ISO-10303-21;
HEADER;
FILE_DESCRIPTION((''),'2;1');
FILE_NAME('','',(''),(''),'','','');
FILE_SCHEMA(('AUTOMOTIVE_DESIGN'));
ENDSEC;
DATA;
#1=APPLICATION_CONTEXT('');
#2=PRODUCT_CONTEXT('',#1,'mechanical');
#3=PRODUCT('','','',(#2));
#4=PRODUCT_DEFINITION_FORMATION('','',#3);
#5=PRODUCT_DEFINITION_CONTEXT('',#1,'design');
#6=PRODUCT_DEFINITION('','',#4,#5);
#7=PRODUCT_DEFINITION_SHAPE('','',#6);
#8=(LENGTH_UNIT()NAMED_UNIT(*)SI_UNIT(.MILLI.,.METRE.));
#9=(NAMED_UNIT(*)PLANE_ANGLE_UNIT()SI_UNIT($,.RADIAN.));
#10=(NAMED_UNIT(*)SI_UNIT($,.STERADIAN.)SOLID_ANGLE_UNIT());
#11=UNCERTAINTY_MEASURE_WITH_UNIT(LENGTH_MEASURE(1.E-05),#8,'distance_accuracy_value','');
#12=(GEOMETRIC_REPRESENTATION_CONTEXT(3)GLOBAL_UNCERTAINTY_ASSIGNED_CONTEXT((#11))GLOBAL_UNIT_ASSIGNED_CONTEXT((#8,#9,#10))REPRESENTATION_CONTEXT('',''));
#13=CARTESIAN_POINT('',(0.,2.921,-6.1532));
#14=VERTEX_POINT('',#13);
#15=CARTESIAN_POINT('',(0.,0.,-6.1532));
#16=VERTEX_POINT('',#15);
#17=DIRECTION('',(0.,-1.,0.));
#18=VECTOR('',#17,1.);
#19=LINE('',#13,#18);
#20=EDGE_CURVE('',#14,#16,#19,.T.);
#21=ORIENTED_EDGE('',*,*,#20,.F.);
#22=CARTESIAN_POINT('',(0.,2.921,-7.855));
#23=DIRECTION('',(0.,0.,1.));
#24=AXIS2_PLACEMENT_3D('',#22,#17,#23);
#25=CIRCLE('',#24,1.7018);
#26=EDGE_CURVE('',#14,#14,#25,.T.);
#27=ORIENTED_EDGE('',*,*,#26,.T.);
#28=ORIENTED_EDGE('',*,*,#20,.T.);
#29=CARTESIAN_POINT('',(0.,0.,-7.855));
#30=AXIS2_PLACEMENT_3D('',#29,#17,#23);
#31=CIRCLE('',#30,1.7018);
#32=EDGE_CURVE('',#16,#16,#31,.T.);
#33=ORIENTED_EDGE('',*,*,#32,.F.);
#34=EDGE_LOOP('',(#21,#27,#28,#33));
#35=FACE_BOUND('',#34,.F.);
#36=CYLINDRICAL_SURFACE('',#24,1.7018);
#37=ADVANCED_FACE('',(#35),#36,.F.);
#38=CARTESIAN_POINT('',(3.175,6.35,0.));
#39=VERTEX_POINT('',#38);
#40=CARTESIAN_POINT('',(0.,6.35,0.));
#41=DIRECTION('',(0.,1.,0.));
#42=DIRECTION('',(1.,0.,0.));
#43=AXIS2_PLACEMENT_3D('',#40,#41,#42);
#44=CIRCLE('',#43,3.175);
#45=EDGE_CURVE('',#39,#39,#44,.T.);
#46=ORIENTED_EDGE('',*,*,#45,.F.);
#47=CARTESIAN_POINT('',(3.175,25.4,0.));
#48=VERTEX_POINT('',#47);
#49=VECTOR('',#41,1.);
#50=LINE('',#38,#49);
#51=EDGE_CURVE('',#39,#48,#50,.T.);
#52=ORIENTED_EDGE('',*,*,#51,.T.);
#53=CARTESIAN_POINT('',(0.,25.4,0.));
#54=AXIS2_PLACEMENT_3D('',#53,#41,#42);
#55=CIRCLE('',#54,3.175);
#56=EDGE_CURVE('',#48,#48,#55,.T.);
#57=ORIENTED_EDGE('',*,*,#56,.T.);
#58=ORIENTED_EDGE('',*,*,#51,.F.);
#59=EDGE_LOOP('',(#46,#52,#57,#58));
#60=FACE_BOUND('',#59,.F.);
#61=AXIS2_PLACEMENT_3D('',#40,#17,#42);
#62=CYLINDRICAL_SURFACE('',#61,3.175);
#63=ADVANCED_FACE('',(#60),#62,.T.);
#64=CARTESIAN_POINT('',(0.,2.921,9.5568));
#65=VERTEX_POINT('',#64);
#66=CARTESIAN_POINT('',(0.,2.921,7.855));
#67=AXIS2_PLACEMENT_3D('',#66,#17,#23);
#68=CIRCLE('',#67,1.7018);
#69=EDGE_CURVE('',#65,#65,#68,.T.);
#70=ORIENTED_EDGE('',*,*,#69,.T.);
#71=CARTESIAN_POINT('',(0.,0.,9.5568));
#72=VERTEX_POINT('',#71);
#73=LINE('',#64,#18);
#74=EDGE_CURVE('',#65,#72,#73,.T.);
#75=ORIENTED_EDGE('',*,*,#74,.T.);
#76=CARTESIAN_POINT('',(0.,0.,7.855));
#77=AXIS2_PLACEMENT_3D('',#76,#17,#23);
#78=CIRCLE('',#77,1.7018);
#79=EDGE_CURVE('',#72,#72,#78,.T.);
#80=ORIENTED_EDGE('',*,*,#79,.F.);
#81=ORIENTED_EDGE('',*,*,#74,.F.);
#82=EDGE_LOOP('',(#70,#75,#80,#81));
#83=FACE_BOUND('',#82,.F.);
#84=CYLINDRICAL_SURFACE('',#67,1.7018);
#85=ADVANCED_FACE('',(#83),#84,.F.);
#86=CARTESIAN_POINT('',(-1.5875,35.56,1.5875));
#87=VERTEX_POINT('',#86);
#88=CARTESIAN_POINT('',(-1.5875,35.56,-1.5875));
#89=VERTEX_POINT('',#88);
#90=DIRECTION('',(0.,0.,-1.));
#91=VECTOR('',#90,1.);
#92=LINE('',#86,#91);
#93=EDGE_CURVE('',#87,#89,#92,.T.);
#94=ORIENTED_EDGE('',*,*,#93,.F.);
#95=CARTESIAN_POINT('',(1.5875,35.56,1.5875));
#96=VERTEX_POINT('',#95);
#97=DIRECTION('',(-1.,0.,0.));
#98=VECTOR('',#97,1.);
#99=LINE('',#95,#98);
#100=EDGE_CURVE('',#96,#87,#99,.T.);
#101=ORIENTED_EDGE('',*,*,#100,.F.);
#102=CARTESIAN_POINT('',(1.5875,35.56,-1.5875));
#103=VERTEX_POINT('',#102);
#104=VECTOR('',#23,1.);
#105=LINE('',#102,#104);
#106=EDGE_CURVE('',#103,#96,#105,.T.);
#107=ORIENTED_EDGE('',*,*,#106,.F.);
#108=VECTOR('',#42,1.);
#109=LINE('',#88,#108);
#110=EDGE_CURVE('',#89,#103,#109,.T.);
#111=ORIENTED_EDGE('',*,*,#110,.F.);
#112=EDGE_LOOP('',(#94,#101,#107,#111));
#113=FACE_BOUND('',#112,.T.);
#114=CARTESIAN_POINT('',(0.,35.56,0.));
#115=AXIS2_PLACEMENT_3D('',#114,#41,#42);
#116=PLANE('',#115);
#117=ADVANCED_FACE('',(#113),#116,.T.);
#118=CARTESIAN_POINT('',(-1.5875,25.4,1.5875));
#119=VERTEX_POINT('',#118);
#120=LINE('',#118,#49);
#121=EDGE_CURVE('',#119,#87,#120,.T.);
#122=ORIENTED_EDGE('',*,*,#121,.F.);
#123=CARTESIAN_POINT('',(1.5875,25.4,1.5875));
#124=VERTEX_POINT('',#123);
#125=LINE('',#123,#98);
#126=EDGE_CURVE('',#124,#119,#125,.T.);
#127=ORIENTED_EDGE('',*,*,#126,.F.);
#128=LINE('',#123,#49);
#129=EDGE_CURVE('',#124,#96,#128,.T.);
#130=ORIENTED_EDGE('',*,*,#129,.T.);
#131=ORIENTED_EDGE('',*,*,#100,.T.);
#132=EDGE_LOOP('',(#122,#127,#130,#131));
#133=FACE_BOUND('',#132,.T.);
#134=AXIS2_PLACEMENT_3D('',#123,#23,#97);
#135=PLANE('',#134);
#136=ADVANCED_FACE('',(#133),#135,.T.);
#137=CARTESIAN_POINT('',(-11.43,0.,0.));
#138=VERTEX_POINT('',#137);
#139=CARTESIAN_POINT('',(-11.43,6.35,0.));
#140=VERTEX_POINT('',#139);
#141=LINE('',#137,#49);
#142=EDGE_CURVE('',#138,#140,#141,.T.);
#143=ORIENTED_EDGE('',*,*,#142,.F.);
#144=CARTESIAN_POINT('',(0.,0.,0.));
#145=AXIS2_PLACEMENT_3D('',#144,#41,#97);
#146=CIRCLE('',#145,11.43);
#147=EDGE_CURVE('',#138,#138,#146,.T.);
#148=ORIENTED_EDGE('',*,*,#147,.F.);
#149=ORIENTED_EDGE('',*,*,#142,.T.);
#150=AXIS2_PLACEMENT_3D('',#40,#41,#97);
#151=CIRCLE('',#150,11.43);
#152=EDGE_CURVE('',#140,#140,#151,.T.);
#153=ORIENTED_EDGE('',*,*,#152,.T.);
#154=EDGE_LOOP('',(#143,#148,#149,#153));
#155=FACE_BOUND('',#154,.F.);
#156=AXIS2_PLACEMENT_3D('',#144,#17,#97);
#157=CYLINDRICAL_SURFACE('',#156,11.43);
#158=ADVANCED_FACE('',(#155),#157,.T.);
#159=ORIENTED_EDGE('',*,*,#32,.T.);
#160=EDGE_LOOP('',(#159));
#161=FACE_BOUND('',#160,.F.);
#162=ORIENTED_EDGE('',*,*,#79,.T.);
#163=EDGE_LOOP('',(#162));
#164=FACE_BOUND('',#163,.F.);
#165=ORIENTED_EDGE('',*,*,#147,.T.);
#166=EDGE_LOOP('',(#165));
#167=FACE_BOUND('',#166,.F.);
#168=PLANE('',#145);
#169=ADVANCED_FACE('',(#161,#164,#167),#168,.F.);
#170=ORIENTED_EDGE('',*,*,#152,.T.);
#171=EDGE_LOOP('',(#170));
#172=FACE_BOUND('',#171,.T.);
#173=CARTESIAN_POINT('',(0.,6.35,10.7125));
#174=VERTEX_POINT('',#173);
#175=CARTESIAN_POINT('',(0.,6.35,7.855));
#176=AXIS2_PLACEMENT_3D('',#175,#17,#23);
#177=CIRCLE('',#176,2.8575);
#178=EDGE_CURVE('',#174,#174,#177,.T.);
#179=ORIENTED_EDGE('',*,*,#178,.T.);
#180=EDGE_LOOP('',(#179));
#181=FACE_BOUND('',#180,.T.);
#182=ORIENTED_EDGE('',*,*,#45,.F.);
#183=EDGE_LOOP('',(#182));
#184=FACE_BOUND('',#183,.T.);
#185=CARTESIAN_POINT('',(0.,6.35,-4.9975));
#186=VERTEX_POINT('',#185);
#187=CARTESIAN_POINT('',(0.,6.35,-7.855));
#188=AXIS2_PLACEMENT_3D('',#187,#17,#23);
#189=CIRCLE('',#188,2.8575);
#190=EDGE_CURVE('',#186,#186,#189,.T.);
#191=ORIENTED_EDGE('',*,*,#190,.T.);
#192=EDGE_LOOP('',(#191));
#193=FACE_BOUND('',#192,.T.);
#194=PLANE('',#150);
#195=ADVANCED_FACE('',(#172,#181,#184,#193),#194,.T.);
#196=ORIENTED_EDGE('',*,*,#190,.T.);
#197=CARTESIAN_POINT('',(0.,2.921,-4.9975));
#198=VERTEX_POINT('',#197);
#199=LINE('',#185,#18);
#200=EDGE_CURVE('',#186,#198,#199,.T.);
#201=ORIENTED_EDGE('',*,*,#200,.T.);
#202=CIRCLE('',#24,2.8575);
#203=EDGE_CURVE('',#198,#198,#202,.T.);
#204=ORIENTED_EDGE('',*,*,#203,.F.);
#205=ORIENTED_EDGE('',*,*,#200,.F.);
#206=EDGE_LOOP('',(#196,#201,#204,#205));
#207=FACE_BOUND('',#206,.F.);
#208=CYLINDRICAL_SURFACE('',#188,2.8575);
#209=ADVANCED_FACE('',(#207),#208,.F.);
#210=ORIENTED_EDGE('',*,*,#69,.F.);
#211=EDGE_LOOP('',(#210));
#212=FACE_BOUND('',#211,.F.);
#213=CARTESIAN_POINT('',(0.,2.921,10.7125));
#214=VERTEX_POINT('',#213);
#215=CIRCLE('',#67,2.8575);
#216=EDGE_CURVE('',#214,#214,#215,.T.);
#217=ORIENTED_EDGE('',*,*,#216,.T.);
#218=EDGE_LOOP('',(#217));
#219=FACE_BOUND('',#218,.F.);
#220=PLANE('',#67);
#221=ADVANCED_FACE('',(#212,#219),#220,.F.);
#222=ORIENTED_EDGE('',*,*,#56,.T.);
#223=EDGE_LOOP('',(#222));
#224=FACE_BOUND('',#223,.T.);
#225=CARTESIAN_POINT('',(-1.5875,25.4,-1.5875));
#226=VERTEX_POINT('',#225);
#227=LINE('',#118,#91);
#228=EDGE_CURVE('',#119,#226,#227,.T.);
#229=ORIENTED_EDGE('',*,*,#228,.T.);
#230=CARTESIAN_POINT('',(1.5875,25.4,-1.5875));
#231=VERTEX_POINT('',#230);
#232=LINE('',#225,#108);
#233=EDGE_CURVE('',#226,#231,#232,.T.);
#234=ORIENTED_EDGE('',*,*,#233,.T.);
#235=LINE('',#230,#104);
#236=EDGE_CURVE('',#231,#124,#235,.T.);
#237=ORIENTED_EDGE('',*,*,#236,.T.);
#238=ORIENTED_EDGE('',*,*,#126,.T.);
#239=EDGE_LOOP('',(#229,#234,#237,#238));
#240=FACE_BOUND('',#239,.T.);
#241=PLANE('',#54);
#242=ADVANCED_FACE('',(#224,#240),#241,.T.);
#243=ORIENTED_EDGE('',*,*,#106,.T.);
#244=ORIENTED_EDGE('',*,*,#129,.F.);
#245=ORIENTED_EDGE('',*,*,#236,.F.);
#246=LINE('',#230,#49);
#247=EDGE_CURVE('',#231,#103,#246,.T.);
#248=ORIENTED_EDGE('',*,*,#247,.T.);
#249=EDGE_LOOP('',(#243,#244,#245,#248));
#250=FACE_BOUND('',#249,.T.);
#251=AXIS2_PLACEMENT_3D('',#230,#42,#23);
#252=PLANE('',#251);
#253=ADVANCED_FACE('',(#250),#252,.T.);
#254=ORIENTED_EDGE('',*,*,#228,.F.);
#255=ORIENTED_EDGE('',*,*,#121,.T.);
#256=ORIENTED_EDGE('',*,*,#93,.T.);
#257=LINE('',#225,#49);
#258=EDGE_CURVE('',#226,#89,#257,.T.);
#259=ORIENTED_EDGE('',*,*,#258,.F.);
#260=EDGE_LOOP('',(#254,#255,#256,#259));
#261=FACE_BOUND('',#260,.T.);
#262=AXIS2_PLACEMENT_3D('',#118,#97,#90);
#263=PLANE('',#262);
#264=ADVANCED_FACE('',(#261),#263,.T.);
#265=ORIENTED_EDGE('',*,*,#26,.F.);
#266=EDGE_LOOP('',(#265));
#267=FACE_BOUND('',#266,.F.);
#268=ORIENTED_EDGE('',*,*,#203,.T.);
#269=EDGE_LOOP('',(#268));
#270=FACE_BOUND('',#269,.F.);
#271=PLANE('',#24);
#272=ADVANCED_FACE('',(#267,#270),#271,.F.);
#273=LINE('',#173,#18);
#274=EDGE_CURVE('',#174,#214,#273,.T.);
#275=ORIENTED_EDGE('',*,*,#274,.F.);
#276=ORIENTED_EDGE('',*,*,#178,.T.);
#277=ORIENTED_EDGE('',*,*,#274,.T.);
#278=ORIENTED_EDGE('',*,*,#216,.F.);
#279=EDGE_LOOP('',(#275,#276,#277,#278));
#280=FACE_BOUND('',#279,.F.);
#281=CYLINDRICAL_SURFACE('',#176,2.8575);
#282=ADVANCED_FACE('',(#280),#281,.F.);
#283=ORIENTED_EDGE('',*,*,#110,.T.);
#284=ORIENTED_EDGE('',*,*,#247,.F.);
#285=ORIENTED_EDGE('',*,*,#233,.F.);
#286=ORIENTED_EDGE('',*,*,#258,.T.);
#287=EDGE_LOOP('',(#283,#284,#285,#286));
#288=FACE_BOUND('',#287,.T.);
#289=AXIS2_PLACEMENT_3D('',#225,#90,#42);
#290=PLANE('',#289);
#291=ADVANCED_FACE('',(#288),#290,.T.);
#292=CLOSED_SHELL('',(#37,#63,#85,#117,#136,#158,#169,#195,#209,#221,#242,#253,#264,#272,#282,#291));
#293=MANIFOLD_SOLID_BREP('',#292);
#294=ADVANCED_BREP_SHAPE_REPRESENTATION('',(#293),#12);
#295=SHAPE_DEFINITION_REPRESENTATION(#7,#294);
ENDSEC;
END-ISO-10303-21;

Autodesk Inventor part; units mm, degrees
ref_plane "YZ Plane" through (0, 0, 0) normal (1, 0, 0) x (0, 1, 0)
ref_plane "XZ Plane" through (0, 0, 0) normal (0, 1, 0) x (-1, 0, 0)
ref_plane "XY Plane" through (0, 0, 0) normal (0, 0, 1) x (1, 0, 0)
sketch "Sketch1" plane through (0, 0, 0) normal (0, 1, 0) x (-1, 0, 0)
  circle A0 centre (0, 0) radius 11.43
  dimension "d0" = 22.86
extrude "Extrusion1" add sketch "Sketch1" along normal blind 6.35
sketch "Sketch2" plane through (0, 6.35, 0) normal (0, 1, 0) x (1, 0, 0)
  point P0 (0, 0)
  point P1 (0, 7.855)
  point P2 (0, -7.855)
  dimension "d3" = 15.7099
  dimension "d4" = 7.8549
  dimension "d21" = 7.8549
  dimension "d22" = 0
hole "Hole1" at (0, 6.35, -7.855) at (0, 6.35, 7.855) direction (0, -1, 0) diameter 3.4036 end through all counterbore diameter 5.715 counterbore depth 3.429
sketch "Sketch3" plane through (0, 6.35, 0) normal (0, 1, 0) x (1, 0, 0)
  circle A0 centre (0, 0) radius 3.175
  dimension "d12" = 6.35
extrude "Extrusion2" add sketch "Sketch3" along normal blind 19.05
sketch "Sketch4" plane through (0, 25.4, 0) normal (0, 1, 0) x (1, 0, 0)
  line L0 (1.5875, -1.5875) -> (-1.5875, -1.5875)
  line L1 (-1.5875, -1.5875) -> (-1.5875, 1.5875)
  line L2 (-1.5875, 1.5875) -> (1.5875, 1.5875)
  line L3 (1.5875, 1.5875) -> (1.5875, -1.5875)
  point P0 (0, 0)
  dimension "d15" = 3.175
  dimension "d16" = 3.175
  dimension "d17" = 1.5875
  dimension "d18" = 1.5875
extrude "Extrusion3" add sketch "Sketch4" along normal blind 10.16
equation "\"d4\" = 0.5 * d3"
equation "\"d21\" = 0.5 * d3"
equation "\"d17\" = 0.5 * d15"
equation "\"d18\" = 0.5 * d16"
properties part number "vex motor adaptor to tetrix"
